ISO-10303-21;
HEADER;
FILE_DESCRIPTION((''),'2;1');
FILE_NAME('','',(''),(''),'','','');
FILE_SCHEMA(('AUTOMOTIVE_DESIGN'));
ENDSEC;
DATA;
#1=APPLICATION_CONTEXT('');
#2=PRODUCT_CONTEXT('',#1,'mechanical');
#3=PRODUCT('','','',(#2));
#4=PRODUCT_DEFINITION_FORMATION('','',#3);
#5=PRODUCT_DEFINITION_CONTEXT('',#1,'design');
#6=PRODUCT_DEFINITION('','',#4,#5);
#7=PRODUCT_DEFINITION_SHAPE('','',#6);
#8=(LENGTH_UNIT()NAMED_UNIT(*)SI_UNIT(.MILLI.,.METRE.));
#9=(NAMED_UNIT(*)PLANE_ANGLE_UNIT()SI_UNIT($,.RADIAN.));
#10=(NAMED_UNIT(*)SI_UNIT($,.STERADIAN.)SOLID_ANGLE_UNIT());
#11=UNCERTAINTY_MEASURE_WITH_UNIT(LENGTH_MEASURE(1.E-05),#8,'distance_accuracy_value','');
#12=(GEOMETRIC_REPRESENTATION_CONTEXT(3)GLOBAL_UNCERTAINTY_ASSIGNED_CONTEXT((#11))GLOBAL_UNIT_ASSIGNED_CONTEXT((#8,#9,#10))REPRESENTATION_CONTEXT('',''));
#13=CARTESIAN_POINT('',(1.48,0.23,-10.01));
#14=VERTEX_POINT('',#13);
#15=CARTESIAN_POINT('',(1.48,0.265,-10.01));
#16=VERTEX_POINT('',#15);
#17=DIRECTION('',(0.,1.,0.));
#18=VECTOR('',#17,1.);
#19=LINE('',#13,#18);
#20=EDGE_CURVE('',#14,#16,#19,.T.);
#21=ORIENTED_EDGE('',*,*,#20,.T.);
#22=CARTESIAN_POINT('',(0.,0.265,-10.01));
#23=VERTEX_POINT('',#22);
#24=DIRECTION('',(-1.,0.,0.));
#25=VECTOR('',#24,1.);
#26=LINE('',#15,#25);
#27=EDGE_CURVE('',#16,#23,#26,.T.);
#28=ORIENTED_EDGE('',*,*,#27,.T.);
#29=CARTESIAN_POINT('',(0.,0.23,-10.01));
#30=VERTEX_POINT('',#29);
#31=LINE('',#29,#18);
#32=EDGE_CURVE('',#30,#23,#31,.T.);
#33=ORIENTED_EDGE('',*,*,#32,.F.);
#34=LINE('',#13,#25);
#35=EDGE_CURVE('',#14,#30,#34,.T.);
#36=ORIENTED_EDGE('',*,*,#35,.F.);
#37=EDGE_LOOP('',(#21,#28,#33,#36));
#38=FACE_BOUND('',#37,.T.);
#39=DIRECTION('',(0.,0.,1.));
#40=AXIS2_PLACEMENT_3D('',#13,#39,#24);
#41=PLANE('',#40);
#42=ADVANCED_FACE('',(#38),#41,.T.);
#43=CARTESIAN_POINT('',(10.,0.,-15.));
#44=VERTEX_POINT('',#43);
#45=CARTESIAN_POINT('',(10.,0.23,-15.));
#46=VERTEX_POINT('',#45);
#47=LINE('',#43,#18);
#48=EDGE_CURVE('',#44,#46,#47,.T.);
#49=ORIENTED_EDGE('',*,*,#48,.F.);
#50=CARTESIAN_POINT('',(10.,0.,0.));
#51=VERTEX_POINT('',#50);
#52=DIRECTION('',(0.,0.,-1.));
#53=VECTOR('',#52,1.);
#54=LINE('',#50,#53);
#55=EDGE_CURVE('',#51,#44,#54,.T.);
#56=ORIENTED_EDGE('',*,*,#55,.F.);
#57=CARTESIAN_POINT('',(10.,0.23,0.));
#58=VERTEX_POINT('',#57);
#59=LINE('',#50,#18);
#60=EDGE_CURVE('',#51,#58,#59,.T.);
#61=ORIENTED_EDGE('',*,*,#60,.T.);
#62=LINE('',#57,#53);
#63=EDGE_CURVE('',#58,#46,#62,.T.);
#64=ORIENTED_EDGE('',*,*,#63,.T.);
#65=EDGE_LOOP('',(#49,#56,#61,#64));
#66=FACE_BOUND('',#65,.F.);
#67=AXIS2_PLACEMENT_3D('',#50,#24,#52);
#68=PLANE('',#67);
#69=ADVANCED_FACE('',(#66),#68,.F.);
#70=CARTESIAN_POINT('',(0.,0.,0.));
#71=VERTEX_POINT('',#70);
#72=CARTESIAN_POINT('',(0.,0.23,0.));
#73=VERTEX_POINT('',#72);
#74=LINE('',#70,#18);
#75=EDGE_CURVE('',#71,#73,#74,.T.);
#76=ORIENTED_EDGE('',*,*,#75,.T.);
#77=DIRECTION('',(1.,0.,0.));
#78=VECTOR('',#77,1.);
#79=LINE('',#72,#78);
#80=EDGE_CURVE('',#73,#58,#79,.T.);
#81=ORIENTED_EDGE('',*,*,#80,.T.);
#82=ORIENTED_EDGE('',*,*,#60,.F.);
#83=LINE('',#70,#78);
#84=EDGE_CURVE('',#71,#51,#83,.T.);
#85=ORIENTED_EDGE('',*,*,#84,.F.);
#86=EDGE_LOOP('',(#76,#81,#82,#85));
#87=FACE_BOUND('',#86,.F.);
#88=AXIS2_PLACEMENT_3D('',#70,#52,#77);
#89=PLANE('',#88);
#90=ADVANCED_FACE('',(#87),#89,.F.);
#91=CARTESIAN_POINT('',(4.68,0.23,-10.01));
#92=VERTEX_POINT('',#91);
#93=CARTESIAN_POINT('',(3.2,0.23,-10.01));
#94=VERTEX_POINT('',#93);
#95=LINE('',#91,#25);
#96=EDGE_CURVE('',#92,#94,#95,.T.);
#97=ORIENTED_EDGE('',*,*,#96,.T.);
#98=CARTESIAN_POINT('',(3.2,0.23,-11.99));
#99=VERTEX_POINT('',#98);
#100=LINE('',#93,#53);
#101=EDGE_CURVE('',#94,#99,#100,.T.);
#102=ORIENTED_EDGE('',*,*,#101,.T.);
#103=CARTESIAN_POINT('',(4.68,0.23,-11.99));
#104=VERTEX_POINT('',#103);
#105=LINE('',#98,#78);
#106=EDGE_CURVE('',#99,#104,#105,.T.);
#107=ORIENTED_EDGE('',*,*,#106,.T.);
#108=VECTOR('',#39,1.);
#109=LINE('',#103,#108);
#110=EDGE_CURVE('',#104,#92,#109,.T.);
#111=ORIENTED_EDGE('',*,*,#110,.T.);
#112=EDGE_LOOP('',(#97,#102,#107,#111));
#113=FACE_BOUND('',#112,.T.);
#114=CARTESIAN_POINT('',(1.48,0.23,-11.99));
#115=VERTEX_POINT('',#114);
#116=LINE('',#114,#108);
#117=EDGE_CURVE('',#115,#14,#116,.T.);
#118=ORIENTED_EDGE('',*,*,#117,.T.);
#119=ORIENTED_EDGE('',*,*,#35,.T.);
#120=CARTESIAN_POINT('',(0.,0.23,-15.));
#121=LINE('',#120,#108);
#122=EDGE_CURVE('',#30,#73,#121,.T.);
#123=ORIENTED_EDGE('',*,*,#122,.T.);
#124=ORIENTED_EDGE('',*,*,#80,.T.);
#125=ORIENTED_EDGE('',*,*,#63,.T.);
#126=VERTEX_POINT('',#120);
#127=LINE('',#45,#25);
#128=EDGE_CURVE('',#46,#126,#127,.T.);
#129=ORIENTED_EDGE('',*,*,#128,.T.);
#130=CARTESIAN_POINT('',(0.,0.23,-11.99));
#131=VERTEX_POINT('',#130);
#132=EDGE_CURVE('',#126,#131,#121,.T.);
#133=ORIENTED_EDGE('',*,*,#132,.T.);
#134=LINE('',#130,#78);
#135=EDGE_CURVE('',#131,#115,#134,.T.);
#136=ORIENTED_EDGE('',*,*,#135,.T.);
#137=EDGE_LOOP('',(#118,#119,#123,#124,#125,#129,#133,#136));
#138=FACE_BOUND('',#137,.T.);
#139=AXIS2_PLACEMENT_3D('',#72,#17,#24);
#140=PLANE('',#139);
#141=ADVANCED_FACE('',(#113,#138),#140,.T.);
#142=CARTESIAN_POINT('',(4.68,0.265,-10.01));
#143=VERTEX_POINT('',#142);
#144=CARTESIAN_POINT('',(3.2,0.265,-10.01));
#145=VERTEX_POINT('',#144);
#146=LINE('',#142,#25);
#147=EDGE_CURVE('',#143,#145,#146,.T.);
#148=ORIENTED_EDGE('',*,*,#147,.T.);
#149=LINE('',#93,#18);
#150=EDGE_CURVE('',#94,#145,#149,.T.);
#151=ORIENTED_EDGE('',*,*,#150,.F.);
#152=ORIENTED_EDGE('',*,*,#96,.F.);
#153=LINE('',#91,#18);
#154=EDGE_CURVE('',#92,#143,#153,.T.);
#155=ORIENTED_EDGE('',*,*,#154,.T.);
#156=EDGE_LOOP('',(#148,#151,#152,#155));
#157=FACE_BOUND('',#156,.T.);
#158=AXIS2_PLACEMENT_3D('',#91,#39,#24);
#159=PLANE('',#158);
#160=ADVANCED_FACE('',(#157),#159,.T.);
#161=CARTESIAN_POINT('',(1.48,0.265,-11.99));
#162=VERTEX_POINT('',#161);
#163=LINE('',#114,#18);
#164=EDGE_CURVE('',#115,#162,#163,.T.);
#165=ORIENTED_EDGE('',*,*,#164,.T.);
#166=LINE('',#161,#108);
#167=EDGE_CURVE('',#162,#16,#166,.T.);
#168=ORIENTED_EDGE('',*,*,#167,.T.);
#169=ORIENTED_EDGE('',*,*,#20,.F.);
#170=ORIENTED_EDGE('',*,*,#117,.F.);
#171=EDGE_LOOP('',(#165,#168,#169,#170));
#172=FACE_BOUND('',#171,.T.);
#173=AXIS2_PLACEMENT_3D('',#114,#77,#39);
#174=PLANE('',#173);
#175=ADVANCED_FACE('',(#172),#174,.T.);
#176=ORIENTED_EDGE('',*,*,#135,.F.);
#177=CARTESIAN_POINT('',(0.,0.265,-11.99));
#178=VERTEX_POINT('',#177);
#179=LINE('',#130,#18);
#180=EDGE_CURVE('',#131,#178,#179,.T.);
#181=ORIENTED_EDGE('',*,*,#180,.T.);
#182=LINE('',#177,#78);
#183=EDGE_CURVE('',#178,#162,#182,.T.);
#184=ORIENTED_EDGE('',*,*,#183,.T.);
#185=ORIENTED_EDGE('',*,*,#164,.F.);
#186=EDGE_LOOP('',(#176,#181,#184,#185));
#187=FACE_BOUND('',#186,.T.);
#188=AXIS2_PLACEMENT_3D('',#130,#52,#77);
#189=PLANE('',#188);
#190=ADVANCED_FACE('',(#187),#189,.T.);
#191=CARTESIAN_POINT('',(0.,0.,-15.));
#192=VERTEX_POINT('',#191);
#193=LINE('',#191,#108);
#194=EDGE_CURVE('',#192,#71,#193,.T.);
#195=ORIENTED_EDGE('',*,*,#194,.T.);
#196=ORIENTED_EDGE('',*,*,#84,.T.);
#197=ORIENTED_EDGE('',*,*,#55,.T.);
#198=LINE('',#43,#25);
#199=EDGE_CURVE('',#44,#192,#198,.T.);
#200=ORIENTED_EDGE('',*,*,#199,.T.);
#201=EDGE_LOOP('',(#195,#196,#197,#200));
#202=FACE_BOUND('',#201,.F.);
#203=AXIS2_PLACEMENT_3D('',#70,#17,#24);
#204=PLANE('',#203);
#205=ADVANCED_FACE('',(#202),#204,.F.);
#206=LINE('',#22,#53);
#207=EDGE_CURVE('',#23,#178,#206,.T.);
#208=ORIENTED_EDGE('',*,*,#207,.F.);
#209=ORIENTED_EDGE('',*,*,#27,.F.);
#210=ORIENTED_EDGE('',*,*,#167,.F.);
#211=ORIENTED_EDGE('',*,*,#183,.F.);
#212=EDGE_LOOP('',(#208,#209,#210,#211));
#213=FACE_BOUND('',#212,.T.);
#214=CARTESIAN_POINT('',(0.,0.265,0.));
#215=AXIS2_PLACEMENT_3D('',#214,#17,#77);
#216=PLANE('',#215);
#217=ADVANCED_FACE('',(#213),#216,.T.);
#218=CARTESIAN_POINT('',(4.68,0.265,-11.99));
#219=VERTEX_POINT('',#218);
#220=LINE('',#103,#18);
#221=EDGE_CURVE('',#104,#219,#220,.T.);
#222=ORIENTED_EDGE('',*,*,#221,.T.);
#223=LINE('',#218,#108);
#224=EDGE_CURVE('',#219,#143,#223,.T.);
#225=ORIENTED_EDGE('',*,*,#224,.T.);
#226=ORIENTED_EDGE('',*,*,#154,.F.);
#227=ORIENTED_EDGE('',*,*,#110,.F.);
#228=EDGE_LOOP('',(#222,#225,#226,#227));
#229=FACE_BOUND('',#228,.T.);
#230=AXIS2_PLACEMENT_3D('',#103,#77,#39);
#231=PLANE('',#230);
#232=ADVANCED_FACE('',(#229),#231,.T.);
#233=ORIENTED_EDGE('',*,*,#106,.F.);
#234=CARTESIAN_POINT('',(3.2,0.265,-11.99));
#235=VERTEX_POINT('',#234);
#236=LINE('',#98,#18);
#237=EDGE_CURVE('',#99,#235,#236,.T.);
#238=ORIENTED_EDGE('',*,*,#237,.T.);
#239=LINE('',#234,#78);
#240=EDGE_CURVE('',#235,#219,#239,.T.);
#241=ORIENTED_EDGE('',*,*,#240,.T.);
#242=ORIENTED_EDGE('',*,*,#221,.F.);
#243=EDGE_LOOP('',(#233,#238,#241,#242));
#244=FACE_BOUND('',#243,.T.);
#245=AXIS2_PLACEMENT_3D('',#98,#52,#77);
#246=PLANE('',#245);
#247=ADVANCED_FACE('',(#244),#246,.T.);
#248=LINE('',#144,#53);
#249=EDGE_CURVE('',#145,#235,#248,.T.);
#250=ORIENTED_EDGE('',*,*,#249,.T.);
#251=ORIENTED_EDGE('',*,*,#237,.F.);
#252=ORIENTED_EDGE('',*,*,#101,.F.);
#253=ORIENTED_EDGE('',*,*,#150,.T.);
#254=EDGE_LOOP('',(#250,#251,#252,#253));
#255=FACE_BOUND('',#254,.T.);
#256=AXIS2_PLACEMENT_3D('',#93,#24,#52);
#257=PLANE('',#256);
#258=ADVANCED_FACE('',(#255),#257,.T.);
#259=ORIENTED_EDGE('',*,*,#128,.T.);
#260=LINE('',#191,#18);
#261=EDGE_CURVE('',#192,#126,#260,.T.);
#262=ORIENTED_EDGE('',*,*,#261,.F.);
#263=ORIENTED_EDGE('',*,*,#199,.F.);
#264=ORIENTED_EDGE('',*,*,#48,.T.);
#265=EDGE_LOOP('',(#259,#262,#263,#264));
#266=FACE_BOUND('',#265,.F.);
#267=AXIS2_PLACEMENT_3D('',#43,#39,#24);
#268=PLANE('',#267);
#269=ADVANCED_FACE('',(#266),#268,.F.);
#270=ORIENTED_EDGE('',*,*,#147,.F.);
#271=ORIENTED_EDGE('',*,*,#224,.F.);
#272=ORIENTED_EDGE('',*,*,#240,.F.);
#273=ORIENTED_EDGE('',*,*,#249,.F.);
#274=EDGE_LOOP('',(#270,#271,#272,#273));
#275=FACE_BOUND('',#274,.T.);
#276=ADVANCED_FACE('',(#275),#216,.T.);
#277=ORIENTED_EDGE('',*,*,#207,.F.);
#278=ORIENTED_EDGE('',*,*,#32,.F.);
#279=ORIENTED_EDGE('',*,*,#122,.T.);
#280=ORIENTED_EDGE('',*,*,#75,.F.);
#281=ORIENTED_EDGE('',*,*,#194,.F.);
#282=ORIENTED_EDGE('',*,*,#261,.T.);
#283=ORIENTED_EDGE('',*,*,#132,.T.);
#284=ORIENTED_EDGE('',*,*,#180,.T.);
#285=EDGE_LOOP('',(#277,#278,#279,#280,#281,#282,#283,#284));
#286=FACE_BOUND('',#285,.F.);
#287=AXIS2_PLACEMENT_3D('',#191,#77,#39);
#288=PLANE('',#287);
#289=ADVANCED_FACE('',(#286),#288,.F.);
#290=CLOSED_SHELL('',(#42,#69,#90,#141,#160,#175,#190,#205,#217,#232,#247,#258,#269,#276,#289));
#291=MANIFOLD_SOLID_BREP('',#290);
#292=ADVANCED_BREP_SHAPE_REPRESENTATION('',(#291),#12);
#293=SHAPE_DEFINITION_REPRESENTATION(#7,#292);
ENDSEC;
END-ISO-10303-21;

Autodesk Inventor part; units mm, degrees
ref_plane "YZ Plane" through (0, 0, 0) normal (1, 0, 0) x (0, 1, 0)
ref_plane "XZ Plane" through (0, 0, 0) normal (0, 1, 0) x (-1, 0, 0)
ref_plane "XY Plane" through (0, 0, 0) normal (0, 0, 1) x (1, 0, 0)
sketch "Sketch1" plane through (0, 0, 0) normal (0, 1, 0) x (-1, 0, 0)
  line L0 (0, 0) -> (-10, 0)
  line L1 (-10, 0) -> (-10, -15)
  line L2 (-10, -15) -> (0, -15)
  line L3 (0, -15) -> (0, 0)
  dimension "d0" = 15
  dimension "d1" = 10
extrude "Extrusion1" add sketch "Sketch1" along normal blind 0.23
sketch "Sketch2" plane through (0, 0.23, 0) normal (0, 1, 0) x (1, 0, 0)
  line L0 (4.68, 10.01) -> (3.2, 10.01)
  line L1 (3.2, 10.01) -> (3.2, 11.99)
  line L2 (3.2, 11.99) -> (4.68, 11.99)
  line L3 (4.68, 11.99) -> (4.68, 10.01)
  line L4 (1.48, 10.01) -> (0, 10.01)
  line L5 (0, 10.01) -> (0, 11.99)
  line L6 (0, 11.99) -> (1.48, 11.99)
  line L7 (1.48, 11.99) -> (1.48, 10.01)
  line L8 (0, 11.99) -> (1.48, 10.01) construction
  line L9 (3.2, 11.99) -> (4.68, 10.01) construction
  line L10 (10, 15) -> (0, 15) construction
  line L11 (10, 0) -> (10, 15) construction
  line L12 (0, 15) -> (0, 0) projected
  point P0 (0.74, 11)
  point P1 (3.94, 11)
  dimension "d4" = 3.2
  dimension "d5" = 4
  dimension "d6" = 1.48
  dimension "d7" = 1.98
extrude "Extrusion2" add sketch "Sketch2" along normal blind 0.035
properties part number "Antenna" material "Copper, Wrought"
